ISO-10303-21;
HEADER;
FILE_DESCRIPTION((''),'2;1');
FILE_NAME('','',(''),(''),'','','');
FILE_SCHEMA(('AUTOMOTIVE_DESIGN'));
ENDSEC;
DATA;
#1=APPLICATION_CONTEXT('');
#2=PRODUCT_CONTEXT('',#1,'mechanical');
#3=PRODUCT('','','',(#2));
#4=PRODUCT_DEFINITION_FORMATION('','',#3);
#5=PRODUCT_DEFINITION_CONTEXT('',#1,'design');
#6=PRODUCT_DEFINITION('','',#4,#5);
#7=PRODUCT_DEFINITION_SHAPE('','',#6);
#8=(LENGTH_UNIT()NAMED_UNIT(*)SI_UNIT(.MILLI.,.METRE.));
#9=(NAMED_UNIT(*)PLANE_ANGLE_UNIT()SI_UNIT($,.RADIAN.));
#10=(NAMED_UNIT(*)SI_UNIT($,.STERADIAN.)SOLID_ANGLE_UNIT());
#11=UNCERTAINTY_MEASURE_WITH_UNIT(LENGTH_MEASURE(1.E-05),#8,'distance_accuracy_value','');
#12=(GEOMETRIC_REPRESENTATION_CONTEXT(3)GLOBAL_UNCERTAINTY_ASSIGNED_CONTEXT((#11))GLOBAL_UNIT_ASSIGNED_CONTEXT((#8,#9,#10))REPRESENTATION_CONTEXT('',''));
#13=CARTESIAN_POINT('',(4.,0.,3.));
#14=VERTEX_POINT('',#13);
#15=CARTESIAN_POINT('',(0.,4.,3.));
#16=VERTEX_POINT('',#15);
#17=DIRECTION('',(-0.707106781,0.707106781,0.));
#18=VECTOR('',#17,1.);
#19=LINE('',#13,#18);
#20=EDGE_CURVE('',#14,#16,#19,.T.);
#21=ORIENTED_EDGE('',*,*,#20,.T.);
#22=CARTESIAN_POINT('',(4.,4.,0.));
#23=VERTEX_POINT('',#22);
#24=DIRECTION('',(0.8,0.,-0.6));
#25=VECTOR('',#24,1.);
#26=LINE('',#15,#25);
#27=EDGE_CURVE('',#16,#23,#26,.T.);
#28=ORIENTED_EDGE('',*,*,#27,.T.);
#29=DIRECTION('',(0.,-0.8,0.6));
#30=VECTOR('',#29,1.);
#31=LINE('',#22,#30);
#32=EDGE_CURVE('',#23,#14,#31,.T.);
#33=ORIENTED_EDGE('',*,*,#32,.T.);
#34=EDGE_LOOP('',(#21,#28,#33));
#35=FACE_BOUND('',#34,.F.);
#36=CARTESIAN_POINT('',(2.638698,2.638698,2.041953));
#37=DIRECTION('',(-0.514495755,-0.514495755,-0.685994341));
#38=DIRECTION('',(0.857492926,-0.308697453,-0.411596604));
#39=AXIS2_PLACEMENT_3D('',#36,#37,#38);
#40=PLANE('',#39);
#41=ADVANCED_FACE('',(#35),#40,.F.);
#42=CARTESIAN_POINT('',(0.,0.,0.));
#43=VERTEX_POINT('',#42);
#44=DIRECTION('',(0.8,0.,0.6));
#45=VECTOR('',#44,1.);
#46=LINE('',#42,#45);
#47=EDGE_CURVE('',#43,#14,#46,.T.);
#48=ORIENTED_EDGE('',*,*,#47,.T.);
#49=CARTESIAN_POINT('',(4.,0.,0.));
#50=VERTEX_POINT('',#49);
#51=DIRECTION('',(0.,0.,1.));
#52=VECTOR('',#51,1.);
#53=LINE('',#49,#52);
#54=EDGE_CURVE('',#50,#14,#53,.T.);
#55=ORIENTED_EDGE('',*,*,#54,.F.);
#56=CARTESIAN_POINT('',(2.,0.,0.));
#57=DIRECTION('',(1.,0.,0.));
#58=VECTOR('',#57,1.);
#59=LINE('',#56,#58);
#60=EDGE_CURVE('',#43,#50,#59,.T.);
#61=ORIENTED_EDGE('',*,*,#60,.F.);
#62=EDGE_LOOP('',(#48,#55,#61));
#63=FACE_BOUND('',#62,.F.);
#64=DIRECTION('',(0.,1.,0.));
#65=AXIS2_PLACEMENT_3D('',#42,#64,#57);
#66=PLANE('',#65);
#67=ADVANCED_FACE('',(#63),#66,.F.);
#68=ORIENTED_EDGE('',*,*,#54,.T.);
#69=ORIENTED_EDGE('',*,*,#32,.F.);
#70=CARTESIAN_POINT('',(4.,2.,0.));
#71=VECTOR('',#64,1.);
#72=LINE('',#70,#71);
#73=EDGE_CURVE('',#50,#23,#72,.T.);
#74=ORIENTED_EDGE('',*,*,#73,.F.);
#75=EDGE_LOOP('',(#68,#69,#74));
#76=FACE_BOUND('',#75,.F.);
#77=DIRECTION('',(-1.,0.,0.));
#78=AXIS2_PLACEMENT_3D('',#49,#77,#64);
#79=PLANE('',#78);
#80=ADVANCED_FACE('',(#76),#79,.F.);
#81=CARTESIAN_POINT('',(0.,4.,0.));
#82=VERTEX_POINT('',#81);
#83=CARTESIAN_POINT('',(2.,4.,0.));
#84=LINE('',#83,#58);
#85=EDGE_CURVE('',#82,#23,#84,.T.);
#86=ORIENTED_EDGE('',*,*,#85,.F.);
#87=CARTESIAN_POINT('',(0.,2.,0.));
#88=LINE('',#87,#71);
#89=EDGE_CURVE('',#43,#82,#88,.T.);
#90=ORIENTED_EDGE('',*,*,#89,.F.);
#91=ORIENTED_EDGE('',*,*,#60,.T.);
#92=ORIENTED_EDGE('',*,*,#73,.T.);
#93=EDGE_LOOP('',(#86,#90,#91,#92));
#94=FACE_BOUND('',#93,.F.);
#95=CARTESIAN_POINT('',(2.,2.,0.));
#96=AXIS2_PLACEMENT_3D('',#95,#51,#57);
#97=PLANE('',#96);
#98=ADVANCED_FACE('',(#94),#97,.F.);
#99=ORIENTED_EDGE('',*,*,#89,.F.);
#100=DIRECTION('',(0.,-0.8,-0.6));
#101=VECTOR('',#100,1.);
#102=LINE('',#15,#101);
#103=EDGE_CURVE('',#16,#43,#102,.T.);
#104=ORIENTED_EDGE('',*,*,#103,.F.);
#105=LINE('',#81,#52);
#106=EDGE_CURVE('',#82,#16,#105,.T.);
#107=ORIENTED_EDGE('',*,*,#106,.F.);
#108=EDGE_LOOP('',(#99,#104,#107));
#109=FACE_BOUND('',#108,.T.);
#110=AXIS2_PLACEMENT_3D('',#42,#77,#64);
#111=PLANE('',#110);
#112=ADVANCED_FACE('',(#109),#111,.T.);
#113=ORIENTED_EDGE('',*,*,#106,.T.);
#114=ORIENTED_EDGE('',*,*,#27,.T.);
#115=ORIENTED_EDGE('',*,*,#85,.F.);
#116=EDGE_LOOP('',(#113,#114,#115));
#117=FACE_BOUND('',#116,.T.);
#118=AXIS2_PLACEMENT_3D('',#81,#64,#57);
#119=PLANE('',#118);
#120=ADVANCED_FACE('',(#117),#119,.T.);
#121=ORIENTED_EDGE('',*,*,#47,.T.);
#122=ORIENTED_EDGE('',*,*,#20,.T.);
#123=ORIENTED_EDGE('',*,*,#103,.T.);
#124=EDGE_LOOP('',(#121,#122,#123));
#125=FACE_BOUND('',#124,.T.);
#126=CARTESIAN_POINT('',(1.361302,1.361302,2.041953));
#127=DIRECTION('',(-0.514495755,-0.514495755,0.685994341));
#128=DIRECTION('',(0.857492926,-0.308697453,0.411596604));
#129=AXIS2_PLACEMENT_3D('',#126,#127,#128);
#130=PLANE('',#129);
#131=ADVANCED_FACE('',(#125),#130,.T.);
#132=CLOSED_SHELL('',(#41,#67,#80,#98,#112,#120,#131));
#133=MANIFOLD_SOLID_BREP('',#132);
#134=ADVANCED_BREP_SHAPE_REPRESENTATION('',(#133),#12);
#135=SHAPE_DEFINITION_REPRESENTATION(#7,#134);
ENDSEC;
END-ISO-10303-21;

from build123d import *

# Parameters (mm, degrees)
F0_W     = 4
F0_H     = 4
F1_DEPTH = 3
F4_DEPTH = 25
F7_DEPTH = 25


with BuildPart() as f1:
    # F0 (on Top) → F1 (new body)
    with BuildSketch(Plane.XY):
        with Locations((2, 2)):
            Rectangle(F0_W, F0_H)
    extrude(amount=F1_DEPTH)

    # F3 (on 3pt) → F4 (cut)
    with BuildSketch(Plane(origin=(0, 0, 0), x_dir=(0.8574929257, -0.3086974533, 0.4115966043), z_dir=(-0.5144957554, -0.5144957554, 0.6859943406))):
        Polygon((4.6647615159, 1.8), (0, 5), (0, 0), align=None)
    extrude(amount=F4_DEPTH, mode=Mode.SUBTRACT)

    # F6 (on 3pt) → F7 (cut)
    with BuildSketch(Plane(origin=(2.1176470588, 2.1176470588, 2.8235294118), x_dir=(0.8574929257, -0.3086974533, -0.4115966043), z_dir=(-0.5144957554, -0.5144957554, -0.6859943406))):
        Polygon((2.1951818898, 1.8), (-2.4695796261, -1.4), (2.1951818898, -3.2), align=None)
    extrude(amount=-F7_DEPTH, mode=Mode.SUBTRACT)


solid = f1.part
